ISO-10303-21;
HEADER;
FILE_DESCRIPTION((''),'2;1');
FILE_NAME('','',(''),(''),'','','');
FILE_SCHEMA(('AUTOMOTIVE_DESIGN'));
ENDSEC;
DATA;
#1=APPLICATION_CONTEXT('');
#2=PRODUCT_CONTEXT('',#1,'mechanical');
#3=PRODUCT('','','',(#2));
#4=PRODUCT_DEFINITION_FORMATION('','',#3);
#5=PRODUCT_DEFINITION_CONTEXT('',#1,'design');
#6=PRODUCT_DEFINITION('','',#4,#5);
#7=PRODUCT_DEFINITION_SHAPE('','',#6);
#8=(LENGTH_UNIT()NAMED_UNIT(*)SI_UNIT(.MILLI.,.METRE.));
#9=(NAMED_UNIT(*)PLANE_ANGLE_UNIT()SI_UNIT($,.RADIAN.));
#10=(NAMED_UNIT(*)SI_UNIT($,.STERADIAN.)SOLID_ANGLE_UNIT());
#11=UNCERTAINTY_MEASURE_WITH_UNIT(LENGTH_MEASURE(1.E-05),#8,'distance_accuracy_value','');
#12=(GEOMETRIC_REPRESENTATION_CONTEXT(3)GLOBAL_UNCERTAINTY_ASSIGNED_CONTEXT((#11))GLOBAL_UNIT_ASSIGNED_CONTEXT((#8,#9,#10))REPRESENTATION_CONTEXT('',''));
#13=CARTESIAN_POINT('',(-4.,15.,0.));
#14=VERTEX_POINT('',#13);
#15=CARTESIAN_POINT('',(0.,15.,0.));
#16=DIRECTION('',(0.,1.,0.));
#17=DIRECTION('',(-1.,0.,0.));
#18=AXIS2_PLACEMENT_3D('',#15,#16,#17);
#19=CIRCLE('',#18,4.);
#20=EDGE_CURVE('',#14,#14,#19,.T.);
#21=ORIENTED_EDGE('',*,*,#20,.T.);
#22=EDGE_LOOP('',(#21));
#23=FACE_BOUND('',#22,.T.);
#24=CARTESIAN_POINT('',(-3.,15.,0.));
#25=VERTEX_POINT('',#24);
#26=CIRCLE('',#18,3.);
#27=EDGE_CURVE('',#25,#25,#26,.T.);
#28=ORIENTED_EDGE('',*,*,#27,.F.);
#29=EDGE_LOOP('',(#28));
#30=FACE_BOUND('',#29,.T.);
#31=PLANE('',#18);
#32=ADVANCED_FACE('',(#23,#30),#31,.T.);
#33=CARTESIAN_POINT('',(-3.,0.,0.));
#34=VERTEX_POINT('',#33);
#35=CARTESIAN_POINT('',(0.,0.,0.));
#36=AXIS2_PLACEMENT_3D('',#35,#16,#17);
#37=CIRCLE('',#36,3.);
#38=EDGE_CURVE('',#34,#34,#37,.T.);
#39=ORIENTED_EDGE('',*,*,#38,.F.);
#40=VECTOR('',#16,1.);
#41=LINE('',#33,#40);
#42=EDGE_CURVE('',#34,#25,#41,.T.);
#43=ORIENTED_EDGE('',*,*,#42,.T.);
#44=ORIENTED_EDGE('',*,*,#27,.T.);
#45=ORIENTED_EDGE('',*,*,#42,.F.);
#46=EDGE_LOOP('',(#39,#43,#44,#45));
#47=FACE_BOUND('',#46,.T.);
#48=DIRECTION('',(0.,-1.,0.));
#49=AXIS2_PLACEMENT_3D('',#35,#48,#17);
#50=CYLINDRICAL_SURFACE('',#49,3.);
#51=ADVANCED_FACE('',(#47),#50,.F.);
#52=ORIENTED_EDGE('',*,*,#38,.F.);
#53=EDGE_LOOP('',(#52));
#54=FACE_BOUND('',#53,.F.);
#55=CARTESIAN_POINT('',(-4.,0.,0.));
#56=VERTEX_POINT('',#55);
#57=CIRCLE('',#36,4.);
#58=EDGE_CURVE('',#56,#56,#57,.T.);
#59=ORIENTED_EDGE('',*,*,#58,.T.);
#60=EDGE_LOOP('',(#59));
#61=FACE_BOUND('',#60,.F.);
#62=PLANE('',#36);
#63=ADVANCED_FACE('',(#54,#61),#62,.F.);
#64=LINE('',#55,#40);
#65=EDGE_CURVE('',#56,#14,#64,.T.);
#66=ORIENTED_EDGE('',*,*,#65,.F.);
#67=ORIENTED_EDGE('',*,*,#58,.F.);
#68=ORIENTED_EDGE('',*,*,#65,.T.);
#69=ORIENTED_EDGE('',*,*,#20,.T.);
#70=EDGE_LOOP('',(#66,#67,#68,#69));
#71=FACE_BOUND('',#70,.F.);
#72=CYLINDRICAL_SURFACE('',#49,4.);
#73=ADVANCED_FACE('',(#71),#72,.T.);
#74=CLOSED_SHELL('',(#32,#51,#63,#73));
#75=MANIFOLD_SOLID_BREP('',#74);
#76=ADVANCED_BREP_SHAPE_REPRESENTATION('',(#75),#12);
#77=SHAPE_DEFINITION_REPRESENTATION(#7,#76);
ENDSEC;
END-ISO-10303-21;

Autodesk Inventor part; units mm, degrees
ref_plane "YZ Plane" through (0, 0, 0) normal (1, 0, 0) x (0, 1, 0)
ref_plane "XZ Plane" through (0, 0, 0) normal (0, 1, 0) x (-1, 0, 0)
ref_plane "XY Plane" through (0, 0, 0) normal (0, 0, 1) x (1, 0, 0)
sketch "Boceto1" plane through (0, 0, 0) normal (0, 1, 0) x (-1, 0, 0)
  circle A0 centre (0, 0) radius 3
  circle A1 centre (0, 0) radius 4
  dimension "d0" = 6
  dimension "d1" = 8
extrude "Extrusión1" add sketch "Boceto1" along normal blind 15
sketch "Boceto2" plane through (0, 15, 0) normal (0, 1, 0) x (1, 0, 0)
  point P0 (0, 0)
  point P1 (0, 0)
equation "\"Radio_pliegue\" = Grosor"
equation "\"Anchura_desahogo_plegado\" = Grosor"
equation "\"Profundidad_desahogo_plegado\" = 0.5 * Grosor"
equation "\"Tamaño_destalonado\" = 4 * Grosor"
equation "\"Remanente_mínimo\" = 2 * Grosor"
equation "\"Radiodetransición\" = Radio_pliegue"
equation "\"Tamaño_de_radio_de_Jacobi\" = Radio_pliegue"
equation "\"TamañoSeparación\" = Grosor"
equation "\"Grosor\" = 0.5"
properties part number "Conexion bandeja manguera"
